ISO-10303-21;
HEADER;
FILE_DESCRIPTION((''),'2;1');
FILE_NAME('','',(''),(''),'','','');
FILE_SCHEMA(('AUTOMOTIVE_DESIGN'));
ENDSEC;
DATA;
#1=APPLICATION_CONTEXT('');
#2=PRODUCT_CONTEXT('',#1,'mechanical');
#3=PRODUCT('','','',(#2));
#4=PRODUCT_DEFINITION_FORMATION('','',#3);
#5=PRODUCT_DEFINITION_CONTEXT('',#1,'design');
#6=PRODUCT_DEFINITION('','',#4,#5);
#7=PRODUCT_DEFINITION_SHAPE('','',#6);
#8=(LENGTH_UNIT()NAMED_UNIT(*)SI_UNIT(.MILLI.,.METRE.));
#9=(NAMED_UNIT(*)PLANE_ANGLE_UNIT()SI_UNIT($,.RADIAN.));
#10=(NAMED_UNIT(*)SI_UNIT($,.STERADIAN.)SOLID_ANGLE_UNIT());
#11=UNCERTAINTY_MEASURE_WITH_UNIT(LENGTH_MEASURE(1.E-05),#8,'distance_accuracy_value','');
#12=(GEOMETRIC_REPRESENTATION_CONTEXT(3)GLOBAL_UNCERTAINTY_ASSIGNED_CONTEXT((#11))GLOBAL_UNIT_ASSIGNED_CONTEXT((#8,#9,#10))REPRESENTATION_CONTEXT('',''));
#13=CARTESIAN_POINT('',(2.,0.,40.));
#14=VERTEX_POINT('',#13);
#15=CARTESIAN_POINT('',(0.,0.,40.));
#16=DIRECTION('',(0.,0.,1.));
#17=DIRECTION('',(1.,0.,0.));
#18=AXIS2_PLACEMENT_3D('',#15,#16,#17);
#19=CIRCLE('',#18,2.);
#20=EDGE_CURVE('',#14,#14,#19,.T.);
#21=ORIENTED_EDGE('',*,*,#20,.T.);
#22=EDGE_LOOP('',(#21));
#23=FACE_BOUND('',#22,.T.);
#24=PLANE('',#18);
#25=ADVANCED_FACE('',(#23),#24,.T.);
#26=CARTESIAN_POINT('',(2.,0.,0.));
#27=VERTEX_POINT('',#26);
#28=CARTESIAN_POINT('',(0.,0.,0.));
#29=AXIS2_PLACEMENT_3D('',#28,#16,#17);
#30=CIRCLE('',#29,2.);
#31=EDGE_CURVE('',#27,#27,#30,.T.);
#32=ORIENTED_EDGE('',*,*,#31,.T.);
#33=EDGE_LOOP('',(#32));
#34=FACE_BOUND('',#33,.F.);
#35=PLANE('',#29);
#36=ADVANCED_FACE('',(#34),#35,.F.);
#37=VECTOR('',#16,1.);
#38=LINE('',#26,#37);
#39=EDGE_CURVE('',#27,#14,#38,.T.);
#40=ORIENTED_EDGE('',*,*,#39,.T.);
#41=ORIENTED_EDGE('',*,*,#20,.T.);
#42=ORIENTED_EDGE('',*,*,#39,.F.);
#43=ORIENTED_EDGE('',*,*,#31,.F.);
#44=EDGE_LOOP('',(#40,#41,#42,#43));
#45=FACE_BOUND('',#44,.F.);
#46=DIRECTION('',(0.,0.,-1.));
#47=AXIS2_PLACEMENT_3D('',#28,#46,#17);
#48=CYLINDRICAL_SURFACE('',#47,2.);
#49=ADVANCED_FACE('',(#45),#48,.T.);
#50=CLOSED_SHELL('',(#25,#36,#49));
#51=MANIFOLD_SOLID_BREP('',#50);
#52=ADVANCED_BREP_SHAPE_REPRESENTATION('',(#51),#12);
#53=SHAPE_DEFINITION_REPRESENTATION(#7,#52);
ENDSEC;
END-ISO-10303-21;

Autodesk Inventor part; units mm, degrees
ref_plane "YZ Plane" through (0, 0, 0) normal (1, 0, 0) x (0, 1, 0)
ref_plane "XZ Plane" through (0, 0, 0) normal (0, 1, 0) x (-1, 0, 0)
ref_plane "XY Plane" through (0, 0, 0) normal (0, 0, 1) x (1, 0, 0)
sketch "스케치1" plane through (0, 0, 0) normal (0, 0, 1) x (1, 0, 0)
  circle A0 centre (0, 0) radius 2
  dimension "d0" = 4
extrude "돌출1" add sketch "스케치1" along normal blind 40
properties part number "4파이 20mm 핀"
